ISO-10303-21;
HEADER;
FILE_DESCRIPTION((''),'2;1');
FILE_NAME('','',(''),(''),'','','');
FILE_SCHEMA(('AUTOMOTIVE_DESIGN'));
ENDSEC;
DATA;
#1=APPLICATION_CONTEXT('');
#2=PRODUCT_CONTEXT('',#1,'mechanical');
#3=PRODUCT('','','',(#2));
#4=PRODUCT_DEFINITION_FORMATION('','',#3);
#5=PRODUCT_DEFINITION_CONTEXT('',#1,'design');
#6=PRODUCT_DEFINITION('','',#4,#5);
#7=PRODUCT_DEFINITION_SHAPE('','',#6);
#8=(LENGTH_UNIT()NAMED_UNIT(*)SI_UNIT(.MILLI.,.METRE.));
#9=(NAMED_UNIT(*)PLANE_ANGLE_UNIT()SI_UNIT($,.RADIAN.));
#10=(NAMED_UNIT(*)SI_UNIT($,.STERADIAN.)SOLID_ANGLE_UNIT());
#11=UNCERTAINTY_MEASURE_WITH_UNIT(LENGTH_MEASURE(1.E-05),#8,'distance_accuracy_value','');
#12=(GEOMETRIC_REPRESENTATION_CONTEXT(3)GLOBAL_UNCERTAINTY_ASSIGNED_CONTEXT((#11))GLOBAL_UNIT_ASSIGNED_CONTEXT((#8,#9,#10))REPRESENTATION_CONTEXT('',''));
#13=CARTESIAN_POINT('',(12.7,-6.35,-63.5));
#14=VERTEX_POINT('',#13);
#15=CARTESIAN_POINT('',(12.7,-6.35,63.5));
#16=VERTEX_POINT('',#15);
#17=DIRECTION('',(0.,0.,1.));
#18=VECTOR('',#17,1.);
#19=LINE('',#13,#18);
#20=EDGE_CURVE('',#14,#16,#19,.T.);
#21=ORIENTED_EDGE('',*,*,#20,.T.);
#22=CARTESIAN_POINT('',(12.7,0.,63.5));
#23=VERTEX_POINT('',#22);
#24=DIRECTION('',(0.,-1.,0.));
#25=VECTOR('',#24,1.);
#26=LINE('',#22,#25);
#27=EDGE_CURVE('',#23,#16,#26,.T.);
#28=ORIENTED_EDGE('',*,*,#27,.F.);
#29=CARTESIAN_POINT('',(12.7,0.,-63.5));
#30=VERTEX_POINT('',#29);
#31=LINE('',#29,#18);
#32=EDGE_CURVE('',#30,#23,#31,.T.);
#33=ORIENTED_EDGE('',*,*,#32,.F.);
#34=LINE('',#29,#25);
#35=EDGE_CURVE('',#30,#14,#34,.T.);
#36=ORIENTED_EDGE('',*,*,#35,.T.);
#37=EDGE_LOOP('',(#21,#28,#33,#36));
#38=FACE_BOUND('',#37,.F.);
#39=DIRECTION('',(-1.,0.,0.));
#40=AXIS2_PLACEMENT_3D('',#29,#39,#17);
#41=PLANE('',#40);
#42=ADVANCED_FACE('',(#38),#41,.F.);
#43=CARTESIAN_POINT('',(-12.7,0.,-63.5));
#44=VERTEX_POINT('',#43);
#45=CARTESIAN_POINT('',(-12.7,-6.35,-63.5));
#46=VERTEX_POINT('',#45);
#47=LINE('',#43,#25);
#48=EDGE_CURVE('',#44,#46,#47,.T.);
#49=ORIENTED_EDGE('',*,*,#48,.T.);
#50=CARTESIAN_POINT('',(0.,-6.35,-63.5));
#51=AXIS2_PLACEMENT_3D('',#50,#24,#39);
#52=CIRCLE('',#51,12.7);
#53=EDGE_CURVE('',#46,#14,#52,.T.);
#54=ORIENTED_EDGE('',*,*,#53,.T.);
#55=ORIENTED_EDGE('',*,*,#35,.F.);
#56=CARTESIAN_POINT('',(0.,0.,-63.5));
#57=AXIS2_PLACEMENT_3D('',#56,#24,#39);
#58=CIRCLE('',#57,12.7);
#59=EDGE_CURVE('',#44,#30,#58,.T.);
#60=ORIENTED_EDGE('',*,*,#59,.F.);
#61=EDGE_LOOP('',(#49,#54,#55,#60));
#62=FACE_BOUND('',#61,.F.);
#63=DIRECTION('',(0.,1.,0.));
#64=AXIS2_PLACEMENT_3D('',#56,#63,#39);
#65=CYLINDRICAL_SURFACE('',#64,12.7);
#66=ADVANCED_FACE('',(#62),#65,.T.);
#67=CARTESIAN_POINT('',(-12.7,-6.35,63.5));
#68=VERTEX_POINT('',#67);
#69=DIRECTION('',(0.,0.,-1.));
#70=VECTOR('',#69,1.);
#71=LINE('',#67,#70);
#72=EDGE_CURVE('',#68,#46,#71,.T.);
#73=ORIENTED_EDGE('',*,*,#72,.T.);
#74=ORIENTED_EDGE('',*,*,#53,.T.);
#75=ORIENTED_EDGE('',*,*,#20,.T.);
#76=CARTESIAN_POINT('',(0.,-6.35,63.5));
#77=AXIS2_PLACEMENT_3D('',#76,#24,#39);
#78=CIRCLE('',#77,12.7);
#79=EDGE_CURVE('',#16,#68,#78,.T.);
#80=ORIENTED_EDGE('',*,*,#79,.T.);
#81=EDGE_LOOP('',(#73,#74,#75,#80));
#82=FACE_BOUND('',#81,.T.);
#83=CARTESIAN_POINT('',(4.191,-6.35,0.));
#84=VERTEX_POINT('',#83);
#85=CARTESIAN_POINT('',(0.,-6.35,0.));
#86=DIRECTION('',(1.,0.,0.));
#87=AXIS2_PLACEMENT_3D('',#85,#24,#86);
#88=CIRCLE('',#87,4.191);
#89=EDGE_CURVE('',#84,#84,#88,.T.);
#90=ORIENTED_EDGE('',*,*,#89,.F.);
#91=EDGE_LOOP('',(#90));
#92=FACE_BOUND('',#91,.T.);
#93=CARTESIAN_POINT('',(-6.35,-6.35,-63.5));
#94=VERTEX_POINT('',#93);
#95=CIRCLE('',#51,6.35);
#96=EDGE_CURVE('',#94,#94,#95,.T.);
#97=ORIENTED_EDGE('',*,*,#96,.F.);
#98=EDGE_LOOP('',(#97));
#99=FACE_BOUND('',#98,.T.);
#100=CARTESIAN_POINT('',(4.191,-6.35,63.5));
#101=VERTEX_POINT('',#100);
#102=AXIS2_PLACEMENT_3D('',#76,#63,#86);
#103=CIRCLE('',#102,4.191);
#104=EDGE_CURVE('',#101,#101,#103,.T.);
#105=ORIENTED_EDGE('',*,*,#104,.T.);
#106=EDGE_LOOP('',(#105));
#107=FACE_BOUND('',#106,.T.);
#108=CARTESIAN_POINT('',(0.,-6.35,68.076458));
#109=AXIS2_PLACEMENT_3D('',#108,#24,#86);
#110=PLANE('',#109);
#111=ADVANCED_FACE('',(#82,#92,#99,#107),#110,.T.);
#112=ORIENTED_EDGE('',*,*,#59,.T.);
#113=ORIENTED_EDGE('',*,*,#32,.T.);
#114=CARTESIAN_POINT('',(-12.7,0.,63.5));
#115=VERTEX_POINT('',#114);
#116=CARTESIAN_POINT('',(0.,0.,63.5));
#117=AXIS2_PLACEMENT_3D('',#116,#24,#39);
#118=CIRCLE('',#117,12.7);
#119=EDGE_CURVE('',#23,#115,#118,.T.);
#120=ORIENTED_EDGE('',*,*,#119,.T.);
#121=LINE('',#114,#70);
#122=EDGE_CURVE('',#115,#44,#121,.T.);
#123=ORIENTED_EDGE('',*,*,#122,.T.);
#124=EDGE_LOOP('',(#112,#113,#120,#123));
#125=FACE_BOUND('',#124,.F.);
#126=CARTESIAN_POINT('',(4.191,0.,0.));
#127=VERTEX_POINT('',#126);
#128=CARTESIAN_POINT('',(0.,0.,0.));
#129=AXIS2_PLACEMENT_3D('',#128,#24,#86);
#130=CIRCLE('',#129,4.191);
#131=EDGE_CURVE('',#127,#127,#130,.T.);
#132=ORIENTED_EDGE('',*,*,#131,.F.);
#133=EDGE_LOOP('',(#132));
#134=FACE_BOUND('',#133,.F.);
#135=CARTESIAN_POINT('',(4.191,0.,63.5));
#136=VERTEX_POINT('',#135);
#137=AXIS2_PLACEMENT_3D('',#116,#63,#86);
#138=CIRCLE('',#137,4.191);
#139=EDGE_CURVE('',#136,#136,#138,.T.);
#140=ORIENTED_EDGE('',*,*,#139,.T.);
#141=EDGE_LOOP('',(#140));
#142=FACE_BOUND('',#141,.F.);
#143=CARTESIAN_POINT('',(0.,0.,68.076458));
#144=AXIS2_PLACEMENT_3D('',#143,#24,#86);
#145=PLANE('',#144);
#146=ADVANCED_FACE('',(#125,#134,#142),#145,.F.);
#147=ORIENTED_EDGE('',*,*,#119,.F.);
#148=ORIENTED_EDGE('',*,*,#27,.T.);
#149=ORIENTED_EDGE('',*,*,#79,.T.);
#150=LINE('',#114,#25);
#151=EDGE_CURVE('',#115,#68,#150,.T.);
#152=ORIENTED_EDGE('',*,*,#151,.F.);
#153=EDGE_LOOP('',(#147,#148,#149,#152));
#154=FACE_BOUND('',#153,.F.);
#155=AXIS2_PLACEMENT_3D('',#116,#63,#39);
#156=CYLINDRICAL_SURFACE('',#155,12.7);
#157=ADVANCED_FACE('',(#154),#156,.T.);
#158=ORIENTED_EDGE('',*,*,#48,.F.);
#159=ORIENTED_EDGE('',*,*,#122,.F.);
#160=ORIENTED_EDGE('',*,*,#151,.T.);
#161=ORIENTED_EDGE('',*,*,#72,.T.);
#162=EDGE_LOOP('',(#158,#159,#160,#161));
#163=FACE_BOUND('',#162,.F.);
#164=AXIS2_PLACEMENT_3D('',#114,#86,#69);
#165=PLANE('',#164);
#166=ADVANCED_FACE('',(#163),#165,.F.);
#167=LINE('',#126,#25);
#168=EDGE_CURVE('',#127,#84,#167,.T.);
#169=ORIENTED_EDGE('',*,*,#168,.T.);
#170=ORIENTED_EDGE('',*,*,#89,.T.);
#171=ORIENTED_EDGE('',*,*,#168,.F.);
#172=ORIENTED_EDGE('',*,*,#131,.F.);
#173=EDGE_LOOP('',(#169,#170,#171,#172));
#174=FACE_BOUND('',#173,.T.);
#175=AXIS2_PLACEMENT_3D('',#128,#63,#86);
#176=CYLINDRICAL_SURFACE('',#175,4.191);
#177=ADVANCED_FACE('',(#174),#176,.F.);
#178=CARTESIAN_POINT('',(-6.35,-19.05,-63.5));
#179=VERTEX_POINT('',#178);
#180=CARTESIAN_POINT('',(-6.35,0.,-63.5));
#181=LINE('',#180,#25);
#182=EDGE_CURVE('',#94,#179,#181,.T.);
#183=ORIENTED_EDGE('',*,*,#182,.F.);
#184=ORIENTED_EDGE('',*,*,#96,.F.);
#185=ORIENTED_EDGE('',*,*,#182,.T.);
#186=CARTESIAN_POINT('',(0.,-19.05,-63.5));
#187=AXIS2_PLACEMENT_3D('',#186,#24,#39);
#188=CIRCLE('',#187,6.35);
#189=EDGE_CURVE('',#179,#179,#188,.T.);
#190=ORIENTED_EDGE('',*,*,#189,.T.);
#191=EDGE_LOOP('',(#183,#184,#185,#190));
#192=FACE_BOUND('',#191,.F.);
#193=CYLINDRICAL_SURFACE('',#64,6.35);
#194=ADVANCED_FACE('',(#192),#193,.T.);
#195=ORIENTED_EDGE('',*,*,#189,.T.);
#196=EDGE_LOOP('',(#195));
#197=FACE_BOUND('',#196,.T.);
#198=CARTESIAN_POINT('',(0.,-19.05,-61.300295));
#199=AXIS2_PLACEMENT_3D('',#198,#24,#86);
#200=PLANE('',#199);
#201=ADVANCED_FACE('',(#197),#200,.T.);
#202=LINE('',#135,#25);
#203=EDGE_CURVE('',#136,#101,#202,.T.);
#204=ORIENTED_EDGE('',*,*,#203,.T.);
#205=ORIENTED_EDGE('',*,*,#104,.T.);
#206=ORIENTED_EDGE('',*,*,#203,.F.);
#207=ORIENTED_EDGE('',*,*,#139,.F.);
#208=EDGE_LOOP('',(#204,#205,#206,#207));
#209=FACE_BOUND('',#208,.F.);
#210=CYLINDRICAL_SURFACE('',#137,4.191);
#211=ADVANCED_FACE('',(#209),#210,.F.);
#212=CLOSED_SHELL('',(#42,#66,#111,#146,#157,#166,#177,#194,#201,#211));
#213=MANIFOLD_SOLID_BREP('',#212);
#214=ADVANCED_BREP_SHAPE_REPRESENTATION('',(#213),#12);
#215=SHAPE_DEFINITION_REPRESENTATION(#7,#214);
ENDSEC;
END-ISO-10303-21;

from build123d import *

# Parameters (mm, degrees)
F0_R     = 4.191
F1_DEPTH = 6.35
F2_DEPTH = 19.05


with BuildPart() as f1:
    # F0 (on Front) → F1 (new body)
    with BuildSketch(Plane.XZ):
        with BuildLine():
            Line((4.191, 63.5), (12.7, 63.5))
            ThreePointArc((12.7, 63.5), (0, 76.2), (-12.7, 63.5))
            Line((-12.7, 63.5), (-4.191, 63.5))
            ThreePointArc((-4.191, 63.5), (0, 67.691), (4.191, 63.5))
        make_face()
        with BuildLine():
            ThreePointArc((-12.7, 63.5), (0, 50.8), (12.7, 63.5))
            Line((12.7, 63.5), (4.191, 63.5))
            ThreePointArc((4.191, 63.5), (0, 59.309), (-4.191, 63.5))
            Line((-4.191, 63.5), (-12.7, 63.5))
        make_face()
        with BuildLine():
            Line((12.7, -63.5), (12.7, 63.5))
            ThreePointArc((12.7, 63.5), (0, 50.8), (-12.7, 63.5))
            Line((-12.7, 63.5), (-12.7, -63.5))
            ThreePointArc((-12.7, -63.5), (0, -50.8), (12.7, -63.5))
        make_face()
        Circle(F0_R, mode=Mode.SUBTRACT)
        with BuildLine():
            Line((6.35, -63.5), (12.7, -63.5))
            ThreePointArc((12.7, -63.5), (0, -50.8), (-12.7, -63.5))
            Line((-12.7, -63.5), (-6.35, -63.5))
            ThreePointArc((-6.35, -63.5), (0, -57.15), (6.35, -63.5))
        make_face()
        with BuildLine():
            ThreePointArc((-12.7, -63.5), (0, -76.2), (12.7, -63.5))
            Line((12.7, -63.5), (6.35, -63.5))
            ThreePointArc((6.35, -63.5), (0, -69.85), (-6.35, -63.5))
            Line((-6.35, -63.5), (-12.7, -63.5))
        make_face()
    extrude(amount=F1_DEPTH)

    # F0 (on Front) → F2 (join)
    with BuildSketch(Plane.XZ):
        with BuildLine():
            Line((-6.35, -63.5), (6.35, -63.5))
            ThreePointArc((6.35, -63.5), (0, -57.15), (-6.35, -63.5))
        make_face()
        with BuildLine():
            ThreePointArc((-6.35, -63.5), (0, -69.85), (6.35, -63.5))
            Line((6.35, -63.5), (-6.35, -63.5))
        make_face()
    extrude(amount=F2_DEPTH)


solid = f1.part
